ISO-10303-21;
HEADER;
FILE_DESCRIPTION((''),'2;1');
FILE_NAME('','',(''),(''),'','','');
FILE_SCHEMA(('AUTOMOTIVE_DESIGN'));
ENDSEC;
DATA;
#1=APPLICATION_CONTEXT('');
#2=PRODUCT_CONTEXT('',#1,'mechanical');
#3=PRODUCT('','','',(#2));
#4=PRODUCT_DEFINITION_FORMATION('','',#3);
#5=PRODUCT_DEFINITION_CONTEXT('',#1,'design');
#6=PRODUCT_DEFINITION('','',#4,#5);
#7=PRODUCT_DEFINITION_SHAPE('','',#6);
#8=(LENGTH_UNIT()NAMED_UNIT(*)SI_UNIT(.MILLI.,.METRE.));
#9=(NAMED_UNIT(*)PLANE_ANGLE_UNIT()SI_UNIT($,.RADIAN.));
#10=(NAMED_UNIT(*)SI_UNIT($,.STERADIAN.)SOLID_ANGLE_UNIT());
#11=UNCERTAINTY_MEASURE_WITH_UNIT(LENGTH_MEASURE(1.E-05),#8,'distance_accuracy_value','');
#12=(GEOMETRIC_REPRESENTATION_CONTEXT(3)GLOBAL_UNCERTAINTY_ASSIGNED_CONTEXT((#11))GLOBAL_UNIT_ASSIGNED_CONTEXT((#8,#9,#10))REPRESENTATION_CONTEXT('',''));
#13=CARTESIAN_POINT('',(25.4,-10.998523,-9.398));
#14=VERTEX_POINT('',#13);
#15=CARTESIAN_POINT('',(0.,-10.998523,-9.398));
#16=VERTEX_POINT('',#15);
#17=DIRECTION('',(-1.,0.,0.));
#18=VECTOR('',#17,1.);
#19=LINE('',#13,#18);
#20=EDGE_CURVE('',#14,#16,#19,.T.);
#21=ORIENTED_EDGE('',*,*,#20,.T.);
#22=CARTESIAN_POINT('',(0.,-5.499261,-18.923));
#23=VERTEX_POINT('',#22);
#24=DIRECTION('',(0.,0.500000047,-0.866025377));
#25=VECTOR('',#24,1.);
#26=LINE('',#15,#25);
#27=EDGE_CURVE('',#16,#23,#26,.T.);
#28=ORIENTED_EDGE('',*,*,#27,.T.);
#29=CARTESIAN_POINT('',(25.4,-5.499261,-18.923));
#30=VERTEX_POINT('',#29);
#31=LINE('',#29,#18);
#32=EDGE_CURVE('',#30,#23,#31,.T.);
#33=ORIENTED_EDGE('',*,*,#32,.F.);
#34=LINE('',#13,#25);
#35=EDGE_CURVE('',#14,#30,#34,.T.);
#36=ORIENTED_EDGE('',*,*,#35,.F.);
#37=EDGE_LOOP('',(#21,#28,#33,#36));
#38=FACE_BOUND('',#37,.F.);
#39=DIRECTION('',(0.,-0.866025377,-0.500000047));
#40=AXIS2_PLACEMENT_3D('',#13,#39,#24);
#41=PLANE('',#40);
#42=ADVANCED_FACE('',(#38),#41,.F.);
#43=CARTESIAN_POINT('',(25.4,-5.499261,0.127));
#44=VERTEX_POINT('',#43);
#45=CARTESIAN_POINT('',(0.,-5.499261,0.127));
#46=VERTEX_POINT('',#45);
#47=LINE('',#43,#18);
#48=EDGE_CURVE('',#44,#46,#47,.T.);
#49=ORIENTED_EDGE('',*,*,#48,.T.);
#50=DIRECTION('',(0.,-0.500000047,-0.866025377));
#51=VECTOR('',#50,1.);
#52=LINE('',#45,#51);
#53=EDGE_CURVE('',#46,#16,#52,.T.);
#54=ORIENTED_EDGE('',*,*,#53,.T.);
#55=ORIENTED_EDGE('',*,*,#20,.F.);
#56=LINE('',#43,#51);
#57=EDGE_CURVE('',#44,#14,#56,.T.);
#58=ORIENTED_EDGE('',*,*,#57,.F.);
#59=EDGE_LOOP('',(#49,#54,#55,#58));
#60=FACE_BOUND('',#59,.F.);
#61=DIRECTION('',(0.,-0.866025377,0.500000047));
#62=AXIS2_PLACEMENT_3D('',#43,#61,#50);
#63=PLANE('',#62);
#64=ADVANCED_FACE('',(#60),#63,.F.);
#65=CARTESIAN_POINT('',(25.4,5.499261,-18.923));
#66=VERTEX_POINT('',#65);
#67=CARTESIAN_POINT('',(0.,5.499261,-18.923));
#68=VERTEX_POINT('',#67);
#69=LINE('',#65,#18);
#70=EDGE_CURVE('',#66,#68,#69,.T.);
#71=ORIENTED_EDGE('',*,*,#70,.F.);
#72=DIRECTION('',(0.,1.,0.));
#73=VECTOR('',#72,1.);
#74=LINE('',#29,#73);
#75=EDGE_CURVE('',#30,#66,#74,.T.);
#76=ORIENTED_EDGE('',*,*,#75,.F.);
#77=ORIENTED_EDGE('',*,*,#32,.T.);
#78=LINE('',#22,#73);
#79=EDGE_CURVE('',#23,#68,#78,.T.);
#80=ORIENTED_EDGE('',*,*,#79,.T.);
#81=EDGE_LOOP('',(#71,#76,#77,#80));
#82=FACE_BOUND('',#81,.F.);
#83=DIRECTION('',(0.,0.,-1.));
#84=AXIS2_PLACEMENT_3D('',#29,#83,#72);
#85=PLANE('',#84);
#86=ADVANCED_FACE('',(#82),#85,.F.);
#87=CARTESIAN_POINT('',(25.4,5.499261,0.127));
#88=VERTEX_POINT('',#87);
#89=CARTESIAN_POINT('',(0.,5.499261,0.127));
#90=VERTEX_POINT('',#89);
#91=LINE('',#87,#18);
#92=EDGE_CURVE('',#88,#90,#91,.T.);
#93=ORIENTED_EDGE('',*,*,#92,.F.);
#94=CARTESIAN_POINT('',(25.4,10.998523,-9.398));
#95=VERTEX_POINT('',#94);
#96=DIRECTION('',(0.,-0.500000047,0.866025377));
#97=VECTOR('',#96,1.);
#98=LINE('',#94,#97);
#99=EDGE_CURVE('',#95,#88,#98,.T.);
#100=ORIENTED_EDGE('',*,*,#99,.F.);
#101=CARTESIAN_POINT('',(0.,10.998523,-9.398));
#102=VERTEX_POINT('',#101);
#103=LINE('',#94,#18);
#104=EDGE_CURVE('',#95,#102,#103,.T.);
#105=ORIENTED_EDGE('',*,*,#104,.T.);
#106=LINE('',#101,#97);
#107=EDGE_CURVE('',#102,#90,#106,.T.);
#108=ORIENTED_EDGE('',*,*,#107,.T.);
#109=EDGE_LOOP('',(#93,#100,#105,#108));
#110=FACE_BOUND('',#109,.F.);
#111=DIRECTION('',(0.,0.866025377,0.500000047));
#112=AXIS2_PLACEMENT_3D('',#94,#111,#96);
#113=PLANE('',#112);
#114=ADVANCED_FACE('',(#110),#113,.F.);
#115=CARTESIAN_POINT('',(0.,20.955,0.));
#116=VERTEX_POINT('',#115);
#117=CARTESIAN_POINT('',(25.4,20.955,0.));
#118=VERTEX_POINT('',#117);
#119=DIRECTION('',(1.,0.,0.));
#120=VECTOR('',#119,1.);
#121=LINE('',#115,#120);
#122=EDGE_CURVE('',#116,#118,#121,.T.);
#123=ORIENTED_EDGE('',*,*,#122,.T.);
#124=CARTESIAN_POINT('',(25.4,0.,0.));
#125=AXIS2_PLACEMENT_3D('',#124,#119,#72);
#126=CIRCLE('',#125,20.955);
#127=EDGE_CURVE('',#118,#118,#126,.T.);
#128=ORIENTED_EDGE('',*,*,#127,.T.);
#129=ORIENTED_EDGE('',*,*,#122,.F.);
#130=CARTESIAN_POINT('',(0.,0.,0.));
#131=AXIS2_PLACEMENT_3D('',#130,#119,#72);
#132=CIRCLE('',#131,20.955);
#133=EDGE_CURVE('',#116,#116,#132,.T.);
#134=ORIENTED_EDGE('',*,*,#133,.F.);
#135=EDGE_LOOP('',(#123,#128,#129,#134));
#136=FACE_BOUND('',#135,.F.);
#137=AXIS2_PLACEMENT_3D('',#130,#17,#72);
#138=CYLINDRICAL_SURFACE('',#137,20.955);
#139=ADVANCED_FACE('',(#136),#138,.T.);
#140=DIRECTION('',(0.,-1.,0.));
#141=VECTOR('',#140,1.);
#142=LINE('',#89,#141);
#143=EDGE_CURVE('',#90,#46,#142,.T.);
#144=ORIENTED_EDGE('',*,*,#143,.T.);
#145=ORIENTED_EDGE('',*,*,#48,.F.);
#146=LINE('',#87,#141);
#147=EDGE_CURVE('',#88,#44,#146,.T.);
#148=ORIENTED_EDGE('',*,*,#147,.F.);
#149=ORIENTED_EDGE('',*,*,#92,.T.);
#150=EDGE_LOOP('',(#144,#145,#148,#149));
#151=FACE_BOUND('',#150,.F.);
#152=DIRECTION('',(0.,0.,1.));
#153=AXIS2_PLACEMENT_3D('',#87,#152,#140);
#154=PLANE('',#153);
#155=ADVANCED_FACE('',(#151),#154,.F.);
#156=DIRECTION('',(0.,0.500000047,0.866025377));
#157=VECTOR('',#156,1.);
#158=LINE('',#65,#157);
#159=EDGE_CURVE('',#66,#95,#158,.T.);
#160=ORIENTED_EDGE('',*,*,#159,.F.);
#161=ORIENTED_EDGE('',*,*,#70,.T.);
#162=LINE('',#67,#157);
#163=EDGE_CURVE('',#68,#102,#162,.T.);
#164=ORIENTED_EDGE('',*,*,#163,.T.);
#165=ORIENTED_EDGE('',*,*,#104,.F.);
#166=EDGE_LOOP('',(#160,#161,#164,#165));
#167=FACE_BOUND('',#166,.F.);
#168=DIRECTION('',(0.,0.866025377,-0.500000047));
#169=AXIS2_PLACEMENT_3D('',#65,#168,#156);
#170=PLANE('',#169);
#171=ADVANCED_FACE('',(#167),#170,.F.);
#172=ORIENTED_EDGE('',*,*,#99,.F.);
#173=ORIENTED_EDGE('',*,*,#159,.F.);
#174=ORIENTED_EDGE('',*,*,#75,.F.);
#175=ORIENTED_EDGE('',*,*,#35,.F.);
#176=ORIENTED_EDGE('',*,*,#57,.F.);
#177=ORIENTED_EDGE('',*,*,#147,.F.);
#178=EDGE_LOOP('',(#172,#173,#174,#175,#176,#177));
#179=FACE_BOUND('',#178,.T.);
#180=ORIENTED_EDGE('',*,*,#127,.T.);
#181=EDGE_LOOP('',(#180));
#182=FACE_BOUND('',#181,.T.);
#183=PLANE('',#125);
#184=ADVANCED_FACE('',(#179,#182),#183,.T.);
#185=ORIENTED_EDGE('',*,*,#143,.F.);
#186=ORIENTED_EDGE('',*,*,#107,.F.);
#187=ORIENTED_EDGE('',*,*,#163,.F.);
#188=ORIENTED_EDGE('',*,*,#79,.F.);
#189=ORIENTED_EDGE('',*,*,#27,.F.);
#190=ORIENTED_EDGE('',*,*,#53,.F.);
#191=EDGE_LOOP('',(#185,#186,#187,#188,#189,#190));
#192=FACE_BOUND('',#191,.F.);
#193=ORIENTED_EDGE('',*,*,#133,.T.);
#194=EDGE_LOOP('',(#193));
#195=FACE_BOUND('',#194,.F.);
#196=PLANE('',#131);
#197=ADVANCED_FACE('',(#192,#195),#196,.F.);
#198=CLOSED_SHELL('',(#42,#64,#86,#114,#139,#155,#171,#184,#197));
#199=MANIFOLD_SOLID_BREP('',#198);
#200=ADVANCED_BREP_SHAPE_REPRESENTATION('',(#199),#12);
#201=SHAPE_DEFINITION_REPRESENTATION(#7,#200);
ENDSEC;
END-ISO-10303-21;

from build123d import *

# Parameters (mm, degrees)
F0_R     = 20.955
F1_DEPTH = 25.4
F3_DEPTH = 25.4


with BuildPart() as f1:
    # F0 (on Right) → F1 (new body)
    with BuildSketch(Plane.YZ):
        Circle(F0_R)
    extrude(amount=F1_DEPTH)

    # F2 (on face) → F3 (cut)
    with BuildSketch(Plane.YZ.offset(25.4)):
        Polygon((0, -18.923), (5.499261, -18.923), (10.998523, -9.398), (5.499261, 0.127), (-5.499261, 0.127), (-10.998523, -9.398), (-5.499261, -18.923), align=None)
    extrude(amount=-F3_DEPTH, mode=Mode.SUBTRACT)


solid = f1.part
